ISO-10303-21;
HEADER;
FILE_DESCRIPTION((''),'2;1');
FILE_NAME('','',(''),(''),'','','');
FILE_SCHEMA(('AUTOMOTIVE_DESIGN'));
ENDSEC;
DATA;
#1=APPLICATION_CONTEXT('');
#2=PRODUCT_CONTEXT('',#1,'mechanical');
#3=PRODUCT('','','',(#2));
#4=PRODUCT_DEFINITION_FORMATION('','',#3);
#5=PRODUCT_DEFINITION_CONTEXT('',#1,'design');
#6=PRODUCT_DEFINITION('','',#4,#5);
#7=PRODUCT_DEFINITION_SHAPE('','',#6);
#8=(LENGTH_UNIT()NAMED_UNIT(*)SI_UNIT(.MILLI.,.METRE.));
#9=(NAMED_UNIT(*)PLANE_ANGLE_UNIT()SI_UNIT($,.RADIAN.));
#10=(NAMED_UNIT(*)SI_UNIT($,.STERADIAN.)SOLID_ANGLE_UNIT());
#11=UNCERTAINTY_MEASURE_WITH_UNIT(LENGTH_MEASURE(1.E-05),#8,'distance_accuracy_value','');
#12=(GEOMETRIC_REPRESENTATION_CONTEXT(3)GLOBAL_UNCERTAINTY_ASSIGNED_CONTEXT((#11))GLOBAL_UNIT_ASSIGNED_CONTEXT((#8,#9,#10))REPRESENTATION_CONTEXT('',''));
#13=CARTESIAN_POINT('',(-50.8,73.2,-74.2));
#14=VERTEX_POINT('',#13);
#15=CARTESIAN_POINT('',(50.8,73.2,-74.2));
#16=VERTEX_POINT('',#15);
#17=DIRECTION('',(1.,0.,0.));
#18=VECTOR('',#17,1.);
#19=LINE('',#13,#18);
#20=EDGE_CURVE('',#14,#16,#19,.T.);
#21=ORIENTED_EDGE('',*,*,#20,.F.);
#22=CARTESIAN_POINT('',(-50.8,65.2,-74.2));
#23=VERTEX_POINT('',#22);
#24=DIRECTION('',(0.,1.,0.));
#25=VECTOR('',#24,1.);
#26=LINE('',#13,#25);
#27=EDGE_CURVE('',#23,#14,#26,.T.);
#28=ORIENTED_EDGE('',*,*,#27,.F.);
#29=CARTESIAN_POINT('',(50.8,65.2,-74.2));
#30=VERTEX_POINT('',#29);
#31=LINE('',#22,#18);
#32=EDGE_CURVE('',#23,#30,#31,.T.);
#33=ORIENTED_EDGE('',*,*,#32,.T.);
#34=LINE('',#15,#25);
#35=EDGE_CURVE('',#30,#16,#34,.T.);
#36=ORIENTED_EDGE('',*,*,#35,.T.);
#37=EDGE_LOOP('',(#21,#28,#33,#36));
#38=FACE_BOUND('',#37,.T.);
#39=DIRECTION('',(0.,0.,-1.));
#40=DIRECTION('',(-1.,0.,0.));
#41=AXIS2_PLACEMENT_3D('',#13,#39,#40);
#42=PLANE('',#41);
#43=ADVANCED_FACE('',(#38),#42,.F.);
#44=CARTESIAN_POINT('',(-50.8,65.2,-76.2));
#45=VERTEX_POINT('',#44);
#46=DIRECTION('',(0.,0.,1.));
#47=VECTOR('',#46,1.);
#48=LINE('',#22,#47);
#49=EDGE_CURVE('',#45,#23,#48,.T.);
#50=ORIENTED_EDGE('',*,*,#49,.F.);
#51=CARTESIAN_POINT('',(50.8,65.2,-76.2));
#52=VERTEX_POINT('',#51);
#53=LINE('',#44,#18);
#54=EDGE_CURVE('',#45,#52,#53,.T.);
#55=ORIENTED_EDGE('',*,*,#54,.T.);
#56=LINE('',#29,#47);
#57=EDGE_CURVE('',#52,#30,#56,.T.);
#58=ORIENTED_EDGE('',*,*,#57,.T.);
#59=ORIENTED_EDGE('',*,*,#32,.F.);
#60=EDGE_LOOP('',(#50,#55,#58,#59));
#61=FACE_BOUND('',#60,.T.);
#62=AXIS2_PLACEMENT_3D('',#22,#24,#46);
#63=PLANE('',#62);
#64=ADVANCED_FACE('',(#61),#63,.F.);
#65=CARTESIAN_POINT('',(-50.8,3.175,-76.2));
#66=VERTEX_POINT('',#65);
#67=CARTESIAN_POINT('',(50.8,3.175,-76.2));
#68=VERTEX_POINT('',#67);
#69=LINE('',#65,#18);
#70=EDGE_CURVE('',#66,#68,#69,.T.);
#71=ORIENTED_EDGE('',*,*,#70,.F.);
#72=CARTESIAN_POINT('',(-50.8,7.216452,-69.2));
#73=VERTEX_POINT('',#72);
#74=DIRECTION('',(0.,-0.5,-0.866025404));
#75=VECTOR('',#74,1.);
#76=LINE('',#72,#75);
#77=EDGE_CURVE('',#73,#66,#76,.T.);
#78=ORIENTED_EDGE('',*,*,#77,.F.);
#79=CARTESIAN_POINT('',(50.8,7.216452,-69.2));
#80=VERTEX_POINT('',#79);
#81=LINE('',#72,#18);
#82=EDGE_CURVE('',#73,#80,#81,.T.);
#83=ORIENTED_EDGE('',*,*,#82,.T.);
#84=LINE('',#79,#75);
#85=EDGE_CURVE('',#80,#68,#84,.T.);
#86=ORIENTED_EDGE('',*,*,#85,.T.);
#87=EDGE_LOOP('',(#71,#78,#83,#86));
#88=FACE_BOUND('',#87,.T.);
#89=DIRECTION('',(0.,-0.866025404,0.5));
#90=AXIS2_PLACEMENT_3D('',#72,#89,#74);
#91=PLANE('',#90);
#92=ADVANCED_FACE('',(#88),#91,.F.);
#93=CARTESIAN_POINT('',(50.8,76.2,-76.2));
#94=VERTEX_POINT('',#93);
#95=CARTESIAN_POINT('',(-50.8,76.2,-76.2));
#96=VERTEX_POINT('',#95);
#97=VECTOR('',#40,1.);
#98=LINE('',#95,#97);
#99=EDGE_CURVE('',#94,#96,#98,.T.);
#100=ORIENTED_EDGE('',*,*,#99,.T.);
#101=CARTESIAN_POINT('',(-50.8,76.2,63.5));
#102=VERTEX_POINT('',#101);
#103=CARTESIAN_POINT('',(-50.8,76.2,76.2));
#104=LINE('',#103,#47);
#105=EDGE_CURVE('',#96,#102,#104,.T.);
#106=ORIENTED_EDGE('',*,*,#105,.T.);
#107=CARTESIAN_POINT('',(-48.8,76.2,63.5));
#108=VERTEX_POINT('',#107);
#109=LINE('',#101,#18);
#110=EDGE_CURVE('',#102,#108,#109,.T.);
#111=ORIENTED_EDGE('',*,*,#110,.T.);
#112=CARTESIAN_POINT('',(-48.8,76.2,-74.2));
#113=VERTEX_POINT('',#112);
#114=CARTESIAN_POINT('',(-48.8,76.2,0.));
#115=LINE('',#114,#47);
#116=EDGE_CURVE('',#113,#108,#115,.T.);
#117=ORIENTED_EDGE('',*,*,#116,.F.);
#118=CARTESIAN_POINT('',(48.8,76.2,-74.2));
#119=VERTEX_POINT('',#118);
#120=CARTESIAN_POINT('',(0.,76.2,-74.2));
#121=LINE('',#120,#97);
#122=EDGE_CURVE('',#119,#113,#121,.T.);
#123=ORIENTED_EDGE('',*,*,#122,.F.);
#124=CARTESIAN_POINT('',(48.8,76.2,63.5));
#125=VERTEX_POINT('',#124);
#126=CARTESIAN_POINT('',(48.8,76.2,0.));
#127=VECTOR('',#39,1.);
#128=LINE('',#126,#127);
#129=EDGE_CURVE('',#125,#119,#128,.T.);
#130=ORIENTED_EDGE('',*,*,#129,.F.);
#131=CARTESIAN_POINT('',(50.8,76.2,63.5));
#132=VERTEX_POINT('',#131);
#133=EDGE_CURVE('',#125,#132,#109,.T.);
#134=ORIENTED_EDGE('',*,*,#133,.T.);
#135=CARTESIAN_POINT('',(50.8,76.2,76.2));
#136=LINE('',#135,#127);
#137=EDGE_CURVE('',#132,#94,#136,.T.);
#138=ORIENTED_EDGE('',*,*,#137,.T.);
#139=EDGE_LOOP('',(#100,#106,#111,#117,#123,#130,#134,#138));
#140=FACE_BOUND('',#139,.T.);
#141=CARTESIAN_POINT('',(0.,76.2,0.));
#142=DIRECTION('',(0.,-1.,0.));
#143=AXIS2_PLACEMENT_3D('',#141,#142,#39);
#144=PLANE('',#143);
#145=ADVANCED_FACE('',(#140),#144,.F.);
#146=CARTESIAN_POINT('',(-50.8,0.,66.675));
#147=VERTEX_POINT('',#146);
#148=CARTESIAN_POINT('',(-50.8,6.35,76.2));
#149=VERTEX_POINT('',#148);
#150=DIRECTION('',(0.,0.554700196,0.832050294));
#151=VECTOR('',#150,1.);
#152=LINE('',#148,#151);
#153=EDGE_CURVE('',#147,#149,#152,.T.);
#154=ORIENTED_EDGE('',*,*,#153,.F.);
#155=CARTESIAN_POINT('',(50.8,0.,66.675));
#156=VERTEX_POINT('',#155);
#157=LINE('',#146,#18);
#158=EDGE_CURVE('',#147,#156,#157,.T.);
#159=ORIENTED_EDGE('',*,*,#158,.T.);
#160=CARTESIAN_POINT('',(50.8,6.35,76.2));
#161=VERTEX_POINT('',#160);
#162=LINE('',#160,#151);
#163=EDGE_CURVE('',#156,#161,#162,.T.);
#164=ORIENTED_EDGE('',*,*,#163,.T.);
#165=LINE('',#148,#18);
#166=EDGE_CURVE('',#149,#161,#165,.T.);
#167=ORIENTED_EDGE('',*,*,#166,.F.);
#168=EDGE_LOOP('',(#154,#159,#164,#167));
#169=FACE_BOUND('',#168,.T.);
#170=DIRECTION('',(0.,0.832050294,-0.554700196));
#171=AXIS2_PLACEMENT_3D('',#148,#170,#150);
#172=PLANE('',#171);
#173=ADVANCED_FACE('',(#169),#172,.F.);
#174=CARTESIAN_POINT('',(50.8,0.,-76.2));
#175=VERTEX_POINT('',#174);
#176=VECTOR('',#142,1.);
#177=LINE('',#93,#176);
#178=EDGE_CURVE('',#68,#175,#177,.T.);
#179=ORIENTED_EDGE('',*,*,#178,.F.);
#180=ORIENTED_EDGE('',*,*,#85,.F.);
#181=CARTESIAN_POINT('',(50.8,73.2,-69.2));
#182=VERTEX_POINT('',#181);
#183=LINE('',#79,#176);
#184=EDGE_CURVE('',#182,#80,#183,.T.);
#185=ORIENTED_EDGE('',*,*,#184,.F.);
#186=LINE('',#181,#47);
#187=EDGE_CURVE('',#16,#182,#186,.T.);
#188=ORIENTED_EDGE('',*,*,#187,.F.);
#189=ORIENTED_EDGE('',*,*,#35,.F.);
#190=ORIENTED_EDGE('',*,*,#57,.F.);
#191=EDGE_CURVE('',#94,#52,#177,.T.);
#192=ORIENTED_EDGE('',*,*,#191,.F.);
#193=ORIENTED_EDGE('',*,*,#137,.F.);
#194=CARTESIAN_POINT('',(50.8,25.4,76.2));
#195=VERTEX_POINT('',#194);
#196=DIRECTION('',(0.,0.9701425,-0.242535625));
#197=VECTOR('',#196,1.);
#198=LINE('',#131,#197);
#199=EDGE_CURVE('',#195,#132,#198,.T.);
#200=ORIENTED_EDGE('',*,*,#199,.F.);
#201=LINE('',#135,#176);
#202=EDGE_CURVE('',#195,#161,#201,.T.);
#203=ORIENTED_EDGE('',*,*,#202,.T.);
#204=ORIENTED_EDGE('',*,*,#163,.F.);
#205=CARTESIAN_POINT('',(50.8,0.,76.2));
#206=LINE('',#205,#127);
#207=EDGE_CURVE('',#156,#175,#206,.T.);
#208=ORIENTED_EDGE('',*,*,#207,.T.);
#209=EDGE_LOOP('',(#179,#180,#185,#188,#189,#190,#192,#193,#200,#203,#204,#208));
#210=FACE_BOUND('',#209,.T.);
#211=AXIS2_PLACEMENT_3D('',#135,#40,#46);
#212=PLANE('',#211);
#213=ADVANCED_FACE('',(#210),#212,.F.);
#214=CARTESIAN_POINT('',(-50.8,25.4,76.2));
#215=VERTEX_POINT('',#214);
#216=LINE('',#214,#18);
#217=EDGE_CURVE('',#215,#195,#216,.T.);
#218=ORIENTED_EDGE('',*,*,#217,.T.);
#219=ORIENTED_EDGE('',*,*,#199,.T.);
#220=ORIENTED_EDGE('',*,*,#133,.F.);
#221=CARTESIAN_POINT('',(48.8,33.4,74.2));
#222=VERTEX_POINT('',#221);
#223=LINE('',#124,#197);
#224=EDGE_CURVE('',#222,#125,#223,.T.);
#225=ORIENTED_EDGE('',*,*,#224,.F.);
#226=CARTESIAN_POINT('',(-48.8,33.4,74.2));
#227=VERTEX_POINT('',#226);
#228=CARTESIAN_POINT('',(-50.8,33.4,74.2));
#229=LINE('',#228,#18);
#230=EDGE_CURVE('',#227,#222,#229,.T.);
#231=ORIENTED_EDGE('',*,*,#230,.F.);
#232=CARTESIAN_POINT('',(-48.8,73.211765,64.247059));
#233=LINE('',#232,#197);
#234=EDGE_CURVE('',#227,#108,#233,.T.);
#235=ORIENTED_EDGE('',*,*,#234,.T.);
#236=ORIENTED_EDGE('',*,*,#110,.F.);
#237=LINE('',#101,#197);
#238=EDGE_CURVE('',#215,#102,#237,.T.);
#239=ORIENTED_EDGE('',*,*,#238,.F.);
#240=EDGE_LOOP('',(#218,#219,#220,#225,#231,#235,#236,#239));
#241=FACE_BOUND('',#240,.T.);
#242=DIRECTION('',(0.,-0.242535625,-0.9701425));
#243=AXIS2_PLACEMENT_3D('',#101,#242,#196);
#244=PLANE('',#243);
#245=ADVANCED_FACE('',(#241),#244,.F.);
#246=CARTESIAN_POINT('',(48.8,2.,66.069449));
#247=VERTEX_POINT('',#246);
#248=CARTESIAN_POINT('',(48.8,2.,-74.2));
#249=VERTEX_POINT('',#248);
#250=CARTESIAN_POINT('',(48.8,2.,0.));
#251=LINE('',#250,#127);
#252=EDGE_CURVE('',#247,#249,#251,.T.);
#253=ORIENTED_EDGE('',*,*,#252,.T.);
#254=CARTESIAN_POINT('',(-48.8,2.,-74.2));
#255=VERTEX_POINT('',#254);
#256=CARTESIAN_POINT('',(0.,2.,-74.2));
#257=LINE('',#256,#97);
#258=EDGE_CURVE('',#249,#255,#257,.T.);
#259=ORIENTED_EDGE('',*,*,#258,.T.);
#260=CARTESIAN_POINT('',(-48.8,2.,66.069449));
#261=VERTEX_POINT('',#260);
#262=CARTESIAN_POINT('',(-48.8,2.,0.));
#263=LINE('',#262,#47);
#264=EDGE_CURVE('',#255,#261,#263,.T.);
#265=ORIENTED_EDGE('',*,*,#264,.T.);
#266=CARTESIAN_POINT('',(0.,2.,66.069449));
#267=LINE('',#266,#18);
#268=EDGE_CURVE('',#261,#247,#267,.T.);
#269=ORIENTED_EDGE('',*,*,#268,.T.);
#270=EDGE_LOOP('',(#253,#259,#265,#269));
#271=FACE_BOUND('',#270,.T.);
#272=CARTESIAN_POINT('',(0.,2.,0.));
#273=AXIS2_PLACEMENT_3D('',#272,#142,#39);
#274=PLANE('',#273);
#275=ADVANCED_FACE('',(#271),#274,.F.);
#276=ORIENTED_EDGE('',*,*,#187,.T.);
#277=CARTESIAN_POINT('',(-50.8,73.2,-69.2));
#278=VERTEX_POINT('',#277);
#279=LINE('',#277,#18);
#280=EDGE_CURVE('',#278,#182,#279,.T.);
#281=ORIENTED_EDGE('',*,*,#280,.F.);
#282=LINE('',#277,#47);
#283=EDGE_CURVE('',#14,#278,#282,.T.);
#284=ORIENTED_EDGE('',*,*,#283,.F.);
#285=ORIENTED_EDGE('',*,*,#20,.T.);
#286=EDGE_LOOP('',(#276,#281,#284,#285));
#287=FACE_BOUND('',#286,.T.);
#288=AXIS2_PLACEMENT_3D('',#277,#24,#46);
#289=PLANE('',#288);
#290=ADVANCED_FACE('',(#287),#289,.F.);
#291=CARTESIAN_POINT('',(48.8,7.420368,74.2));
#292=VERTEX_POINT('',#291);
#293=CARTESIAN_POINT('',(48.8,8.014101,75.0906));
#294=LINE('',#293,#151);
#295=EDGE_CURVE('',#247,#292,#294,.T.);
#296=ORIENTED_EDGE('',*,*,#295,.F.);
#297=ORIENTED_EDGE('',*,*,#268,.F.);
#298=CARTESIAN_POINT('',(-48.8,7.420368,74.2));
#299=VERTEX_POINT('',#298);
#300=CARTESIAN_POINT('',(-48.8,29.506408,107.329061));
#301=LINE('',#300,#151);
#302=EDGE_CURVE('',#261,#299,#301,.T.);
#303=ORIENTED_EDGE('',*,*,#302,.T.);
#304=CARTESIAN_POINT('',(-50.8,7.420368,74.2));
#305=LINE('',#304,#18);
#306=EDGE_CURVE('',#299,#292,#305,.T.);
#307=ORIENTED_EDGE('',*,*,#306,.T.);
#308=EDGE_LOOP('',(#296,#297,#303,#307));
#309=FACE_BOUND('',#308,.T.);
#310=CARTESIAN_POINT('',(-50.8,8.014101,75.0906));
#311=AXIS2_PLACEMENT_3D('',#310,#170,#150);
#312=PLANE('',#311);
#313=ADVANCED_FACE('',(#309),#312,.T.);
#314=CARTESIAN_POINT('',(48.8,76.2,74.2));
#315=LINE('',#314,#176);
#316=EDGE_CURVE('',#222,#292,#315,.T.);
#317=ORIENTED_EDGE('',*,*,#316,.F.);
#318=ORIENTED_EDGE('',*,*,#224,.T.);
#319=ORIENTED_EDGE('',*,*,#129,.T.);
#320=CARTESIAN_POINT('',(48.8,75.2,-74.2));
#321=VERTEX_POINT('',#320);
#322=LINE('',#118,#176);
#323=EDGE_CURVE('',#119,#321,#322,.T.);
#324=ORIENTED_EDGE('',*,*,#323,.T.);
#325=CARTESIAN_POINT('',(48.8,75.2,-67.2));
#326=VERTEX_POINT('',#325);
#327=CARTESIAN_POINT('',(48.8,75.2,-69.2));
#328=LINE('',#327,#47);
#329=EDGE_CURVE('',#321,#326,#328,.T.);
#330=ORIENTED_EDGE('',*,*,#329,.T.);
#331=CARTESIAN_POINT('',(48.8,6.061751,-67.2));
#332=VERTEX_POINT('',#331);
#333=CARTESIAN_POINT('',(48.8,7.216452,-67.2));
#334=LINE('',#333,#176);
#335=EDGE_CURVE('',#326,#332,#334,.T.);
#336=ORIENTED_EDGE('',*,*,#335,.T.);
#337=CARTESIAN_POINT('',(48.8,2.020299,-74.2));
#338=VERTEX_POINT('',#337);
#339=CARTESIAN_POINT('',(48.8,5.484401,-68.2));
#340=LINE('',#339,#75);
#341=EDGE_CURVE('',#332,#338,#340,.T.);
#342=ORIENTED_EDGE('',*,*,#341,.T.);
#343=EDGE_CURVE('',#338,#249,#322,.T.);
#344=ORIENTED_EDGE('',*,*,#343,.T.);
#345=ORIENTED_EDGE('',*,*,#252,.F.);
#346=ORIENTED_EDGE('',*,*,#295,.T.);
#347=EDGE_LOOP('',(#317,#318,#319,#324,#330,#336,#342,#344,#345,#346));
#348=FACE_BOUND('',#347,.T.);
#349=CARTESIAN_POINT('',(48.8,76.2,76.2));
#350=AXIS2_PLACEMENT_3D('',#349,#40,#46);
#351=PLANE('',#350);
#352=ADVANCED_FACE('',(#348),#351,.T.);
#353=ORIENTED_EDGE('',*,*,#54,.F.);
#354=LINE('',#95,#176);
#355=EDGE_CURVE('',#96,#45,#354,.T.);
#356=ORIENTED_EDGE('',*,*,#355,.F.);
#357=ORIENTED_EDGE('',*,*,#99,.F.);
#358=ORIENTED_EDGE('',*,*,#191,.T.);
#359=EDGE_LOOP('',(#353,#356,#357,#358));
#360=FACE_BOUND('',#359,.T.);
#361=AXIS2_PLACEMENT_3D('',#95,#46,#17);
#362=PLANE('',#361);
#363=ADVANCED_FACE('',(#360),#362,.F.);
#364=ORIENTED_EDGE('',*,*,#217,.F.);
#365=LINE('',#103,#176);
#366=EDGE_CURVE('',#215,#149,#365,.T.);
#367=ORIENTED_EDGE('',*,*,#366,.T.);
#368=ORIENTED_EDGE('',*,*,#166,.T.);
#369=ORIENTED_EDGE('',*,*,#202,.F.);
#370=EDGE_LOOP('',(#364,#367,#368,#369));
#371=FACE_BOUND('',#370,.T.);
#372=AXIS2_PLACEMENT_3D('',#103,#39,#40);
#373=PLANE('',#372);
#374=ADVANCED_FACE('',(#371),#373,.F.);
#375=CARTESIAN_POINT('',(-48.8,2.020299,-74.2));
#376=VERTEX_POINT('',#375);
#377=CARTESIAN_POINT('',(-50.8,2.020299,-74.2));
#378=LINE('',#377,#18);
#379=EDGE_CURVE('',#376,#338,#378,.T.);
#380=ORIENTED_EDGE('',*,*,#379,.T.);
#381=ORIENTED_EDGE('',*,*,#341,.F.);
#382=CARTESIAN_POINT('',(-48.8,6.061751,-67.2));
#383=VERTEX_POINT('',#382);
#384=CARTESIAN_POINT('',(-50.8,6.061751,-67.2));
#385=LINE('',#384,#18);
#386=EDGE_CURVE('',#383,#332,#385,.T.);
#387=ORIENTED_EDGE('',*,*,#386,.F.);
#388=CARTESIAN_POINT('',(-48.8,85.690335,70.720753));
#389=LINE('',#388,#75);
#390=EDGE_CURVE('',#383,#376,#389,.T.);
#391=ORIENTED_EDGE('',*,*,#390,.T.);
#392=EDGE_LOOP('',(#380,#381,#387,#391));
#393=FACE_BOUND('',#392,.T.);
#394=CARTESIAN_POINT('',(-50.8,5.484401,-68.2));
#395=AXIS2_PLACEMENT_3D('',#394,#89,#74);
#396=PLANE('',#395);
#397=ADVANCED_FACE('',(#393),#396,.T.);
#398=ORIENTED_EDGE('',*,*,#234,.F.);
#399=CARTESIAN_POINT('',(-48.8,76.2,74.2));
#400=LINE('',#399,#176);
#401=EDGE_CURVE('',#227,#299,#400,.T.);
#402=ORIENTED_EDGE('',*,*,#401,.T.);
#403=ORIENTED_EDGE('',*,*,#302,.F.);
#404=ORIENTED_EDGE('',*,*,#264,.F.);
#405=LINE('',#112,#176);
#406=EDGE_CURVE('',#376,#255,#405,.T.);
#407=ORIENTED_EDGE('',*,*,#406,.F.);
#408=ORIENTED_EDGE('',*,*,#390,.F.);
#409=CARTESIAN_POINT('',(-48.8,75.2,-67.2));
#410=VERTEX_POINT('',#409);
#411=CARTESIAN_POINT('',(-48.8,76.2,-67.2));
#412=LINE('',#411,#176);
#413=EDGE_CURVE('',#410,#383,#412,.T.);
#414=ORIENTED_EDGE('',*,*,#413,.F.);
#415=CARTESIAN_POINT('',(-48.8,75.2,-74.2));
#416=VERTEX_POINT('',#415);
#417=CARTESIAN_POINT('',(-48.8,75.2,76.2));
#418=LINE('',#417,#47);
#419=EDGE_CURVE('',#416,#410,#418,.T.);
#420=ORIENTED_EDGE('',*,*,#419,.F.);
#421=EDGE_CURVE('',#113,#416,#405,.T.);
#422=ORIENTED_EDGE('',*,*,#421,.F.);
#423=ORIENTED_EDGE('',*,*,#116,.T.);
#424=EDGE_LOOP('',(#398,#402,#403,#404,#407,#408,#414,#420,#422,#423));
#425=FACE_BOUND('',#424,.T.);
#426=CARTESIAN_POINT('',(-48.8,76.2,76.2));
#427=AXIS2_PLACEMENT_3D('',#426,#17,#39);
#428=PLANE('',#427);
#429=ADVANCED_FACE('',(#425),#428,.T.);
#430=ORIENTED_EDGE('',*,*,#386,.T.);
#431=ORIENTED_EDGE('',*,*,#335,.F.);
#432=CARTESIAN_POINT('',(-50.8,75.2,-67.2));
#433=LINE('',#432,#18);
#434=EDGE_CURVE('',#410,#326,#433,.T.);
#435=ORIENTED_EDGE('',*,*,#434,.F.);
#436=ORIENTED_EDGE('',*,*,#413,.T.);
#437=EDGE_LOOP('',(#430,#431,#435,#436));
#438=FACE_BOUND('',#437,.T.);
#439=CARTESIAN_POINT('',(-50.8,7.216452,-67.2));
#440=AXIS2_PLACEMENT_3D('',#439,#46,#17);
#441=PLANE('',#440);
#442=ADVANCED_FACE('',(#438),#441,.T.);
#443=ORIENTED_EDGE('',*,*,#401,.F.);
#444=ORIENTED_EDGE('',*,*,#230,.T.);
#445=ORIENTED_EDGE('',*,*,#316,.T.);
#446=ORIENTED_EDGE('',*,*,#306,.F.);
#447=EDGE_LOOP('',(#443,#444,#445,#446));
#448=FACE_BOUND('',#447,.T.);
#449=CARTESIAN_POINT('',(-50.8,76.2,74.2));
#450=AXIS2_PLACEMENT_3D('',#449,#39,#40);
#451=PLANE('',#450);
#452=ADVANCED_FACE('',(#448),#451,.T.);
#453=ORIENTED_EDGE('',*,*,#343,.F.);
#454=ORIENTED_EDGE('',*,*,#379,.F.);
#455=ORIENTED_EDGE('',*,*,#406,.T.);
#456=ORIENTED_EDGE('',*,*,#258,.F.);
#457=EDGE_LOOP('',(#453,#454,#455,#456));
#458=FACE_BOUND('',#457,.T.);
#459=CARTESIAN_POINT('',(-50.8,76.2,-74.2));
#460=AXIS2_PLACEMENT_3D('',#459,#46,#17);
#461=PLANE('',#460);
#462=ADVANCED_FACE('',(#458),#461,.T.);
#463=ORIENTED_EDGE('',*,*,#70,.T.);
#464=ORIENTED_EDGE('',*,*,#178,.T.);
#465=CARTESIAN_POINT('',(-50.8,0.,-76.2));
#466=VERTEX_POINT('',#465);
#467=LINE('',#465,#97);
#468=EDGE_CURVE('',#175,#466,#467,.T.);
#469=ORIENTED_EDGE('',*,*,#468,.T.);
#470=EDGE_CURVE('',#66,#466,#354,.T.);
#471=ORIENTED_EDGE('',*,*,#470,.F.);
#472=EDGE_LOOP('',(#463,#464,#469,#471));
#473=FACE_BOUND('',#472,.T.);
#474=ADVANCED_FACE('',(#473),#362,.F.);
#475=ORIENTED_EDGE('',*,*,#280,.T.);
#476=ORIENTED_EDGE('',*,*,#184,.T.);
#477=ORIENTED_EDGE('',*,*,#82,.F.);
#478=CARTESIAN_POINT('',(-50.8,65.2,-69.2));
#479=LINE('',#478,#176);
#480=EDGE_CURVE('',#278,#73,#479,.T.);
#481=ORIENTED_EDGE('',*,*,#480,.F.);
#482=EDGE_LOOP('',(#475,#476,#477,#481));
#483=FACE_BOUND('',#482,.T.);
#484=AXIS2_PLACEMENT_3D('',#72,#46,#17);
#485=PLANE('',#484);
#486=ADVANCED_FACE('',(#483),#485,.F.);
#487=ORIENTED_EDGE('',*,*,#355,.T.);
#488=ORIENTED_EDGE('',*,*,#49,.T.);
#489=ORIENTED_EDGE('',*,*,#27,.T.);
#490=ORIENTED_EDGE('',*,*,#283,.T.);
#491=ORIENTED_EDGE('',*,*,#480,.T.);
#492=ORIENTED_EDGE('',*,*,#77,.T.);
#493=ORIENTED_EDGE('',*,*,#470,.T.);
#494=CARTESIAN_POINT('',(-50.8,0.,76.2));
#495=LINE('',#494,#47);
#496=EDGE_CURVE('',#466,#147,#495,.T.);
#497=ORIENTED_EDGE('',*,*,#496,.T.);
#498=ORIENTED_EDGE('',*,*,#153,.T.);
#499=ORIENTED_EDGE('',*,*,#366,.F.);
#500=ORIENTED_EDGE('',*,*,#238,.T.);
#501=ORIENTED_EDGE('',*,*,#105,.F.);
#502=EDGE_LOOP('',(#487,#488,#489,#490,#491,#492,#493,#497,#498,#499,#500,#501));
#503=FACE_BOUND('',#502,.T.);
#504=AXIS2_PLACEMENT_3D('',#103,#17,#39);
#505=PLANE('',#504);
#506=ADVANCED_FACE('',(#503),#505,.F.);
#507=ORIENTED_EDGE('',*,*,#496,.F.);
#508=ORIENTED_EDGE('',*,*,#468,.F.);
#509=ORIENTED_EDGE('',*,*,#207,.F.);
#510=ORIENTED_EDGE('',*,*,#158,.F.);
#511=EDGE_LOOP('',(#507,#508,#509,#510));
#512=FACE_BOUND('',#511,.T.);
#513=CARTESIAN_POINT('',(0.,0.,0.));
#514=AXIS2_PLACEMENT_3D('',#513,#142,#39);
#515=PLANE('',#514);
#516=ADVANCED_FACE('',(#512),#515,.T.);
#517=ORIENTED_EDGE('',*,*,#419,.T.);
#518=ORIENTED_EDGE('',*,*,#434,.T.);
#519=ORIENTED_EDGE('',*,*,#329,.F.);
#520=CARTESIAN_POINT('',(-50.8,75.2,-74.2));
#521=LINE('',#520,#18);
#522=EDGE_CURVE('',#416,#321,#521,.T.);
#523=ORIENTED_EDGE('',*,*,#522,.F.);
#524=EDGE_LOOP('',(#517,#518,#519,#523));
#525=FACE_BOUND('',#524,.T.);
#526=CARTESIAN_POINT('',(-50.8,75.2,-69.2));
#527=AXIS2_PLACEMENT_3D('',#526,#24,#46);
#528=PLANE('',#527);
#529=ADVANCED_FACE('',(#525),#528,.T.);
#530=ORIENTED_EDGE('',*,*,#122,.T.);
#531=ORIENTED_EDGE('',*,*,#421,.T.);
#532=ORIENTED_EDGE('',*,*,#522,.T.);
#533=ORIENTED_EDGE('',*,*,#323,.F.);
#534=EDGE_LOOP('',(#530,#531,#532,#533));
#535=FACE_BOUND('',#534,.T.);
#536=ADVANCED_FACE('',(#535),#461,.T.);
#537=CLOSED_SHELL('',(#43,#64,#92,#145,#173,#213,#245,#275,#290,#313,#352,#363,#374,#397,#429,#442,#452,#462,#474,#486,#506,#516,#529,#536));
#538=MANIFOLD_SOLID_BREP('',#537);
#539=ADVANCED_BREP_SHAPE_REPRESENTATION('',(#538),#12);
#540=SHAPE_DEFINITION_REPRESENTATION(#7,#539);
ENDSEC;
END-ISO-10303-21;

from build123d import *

# Parameters (mm, degrees)
SKETCH1_W           = 101.6
SKETCH1_H           = 152.4
BOSS_EXTRUDE1_DEPTH = 76.2
CUT_EXTRUDE1_DEPTH  = 102.6
CUT_EXTRUDE2_DEPTH  = 102.6
SHELL1_T            = -2


with BuildPart() as part:
    # Sketch1 → Boss-Extrude1 (new body)
    with BuildSketch(Plane(origin=(0, 0, 0), x_dir=(1, 0, 0), z_dir=(0, 1, 0))):
        Rectangle(SKETCH1_W, SKETCH1_H)
    extrude(amount=BOSS_EXTRUDE1_DEPTH)

    # Sketch2 → Cut-Extrude1 (cut, through all)
    with BuildSketch(Plane(origin=(50.8, 0, 0), x_dir=(0, 0, -1), z_dir=(1, 0, 0))):
        Polygon((-63.5, 76.2), (-76.2, 25.4), (-76.2, 76.2), align=None)
        Polygon((-76.2, 6.35), (-76.2, 0), (-66.675, 0), align=None)
    extrude(amount=-CUT_EXTRUDE1_DEPTH, mode=Mode.SUBTRACT)

    # Sketch3 → Cut-Extrude2 (cut, through all)
    with BuildSketch(Plane(origin=(50.8, 0, 0), x_dir=(0, 0, -1), z_dir=(1, 0, 0))):
        Polygon((69.2, 7.216451884), (69.2, 65.2), (69.2, 73.2), (74.2, 73.2), (74.2, 65.2), (76.2, 65.2), (76.2, 3.175), align=None)
    extrude(amount=-CUT_EXTRUDE2_DEPTH, mode=Mode.SUBTRACT)

    # Shell1
    shell1_openings = [part.faces().sort_by_distance(p)[0] for p in [
        (0, 76.2, -6.35),
        (0, 50.8, 69.85),
    ]]
    offset(amount=SHELL1_T, openings=shell1_openings, kind=Kind.INTERSECTION)


solid = part.part
